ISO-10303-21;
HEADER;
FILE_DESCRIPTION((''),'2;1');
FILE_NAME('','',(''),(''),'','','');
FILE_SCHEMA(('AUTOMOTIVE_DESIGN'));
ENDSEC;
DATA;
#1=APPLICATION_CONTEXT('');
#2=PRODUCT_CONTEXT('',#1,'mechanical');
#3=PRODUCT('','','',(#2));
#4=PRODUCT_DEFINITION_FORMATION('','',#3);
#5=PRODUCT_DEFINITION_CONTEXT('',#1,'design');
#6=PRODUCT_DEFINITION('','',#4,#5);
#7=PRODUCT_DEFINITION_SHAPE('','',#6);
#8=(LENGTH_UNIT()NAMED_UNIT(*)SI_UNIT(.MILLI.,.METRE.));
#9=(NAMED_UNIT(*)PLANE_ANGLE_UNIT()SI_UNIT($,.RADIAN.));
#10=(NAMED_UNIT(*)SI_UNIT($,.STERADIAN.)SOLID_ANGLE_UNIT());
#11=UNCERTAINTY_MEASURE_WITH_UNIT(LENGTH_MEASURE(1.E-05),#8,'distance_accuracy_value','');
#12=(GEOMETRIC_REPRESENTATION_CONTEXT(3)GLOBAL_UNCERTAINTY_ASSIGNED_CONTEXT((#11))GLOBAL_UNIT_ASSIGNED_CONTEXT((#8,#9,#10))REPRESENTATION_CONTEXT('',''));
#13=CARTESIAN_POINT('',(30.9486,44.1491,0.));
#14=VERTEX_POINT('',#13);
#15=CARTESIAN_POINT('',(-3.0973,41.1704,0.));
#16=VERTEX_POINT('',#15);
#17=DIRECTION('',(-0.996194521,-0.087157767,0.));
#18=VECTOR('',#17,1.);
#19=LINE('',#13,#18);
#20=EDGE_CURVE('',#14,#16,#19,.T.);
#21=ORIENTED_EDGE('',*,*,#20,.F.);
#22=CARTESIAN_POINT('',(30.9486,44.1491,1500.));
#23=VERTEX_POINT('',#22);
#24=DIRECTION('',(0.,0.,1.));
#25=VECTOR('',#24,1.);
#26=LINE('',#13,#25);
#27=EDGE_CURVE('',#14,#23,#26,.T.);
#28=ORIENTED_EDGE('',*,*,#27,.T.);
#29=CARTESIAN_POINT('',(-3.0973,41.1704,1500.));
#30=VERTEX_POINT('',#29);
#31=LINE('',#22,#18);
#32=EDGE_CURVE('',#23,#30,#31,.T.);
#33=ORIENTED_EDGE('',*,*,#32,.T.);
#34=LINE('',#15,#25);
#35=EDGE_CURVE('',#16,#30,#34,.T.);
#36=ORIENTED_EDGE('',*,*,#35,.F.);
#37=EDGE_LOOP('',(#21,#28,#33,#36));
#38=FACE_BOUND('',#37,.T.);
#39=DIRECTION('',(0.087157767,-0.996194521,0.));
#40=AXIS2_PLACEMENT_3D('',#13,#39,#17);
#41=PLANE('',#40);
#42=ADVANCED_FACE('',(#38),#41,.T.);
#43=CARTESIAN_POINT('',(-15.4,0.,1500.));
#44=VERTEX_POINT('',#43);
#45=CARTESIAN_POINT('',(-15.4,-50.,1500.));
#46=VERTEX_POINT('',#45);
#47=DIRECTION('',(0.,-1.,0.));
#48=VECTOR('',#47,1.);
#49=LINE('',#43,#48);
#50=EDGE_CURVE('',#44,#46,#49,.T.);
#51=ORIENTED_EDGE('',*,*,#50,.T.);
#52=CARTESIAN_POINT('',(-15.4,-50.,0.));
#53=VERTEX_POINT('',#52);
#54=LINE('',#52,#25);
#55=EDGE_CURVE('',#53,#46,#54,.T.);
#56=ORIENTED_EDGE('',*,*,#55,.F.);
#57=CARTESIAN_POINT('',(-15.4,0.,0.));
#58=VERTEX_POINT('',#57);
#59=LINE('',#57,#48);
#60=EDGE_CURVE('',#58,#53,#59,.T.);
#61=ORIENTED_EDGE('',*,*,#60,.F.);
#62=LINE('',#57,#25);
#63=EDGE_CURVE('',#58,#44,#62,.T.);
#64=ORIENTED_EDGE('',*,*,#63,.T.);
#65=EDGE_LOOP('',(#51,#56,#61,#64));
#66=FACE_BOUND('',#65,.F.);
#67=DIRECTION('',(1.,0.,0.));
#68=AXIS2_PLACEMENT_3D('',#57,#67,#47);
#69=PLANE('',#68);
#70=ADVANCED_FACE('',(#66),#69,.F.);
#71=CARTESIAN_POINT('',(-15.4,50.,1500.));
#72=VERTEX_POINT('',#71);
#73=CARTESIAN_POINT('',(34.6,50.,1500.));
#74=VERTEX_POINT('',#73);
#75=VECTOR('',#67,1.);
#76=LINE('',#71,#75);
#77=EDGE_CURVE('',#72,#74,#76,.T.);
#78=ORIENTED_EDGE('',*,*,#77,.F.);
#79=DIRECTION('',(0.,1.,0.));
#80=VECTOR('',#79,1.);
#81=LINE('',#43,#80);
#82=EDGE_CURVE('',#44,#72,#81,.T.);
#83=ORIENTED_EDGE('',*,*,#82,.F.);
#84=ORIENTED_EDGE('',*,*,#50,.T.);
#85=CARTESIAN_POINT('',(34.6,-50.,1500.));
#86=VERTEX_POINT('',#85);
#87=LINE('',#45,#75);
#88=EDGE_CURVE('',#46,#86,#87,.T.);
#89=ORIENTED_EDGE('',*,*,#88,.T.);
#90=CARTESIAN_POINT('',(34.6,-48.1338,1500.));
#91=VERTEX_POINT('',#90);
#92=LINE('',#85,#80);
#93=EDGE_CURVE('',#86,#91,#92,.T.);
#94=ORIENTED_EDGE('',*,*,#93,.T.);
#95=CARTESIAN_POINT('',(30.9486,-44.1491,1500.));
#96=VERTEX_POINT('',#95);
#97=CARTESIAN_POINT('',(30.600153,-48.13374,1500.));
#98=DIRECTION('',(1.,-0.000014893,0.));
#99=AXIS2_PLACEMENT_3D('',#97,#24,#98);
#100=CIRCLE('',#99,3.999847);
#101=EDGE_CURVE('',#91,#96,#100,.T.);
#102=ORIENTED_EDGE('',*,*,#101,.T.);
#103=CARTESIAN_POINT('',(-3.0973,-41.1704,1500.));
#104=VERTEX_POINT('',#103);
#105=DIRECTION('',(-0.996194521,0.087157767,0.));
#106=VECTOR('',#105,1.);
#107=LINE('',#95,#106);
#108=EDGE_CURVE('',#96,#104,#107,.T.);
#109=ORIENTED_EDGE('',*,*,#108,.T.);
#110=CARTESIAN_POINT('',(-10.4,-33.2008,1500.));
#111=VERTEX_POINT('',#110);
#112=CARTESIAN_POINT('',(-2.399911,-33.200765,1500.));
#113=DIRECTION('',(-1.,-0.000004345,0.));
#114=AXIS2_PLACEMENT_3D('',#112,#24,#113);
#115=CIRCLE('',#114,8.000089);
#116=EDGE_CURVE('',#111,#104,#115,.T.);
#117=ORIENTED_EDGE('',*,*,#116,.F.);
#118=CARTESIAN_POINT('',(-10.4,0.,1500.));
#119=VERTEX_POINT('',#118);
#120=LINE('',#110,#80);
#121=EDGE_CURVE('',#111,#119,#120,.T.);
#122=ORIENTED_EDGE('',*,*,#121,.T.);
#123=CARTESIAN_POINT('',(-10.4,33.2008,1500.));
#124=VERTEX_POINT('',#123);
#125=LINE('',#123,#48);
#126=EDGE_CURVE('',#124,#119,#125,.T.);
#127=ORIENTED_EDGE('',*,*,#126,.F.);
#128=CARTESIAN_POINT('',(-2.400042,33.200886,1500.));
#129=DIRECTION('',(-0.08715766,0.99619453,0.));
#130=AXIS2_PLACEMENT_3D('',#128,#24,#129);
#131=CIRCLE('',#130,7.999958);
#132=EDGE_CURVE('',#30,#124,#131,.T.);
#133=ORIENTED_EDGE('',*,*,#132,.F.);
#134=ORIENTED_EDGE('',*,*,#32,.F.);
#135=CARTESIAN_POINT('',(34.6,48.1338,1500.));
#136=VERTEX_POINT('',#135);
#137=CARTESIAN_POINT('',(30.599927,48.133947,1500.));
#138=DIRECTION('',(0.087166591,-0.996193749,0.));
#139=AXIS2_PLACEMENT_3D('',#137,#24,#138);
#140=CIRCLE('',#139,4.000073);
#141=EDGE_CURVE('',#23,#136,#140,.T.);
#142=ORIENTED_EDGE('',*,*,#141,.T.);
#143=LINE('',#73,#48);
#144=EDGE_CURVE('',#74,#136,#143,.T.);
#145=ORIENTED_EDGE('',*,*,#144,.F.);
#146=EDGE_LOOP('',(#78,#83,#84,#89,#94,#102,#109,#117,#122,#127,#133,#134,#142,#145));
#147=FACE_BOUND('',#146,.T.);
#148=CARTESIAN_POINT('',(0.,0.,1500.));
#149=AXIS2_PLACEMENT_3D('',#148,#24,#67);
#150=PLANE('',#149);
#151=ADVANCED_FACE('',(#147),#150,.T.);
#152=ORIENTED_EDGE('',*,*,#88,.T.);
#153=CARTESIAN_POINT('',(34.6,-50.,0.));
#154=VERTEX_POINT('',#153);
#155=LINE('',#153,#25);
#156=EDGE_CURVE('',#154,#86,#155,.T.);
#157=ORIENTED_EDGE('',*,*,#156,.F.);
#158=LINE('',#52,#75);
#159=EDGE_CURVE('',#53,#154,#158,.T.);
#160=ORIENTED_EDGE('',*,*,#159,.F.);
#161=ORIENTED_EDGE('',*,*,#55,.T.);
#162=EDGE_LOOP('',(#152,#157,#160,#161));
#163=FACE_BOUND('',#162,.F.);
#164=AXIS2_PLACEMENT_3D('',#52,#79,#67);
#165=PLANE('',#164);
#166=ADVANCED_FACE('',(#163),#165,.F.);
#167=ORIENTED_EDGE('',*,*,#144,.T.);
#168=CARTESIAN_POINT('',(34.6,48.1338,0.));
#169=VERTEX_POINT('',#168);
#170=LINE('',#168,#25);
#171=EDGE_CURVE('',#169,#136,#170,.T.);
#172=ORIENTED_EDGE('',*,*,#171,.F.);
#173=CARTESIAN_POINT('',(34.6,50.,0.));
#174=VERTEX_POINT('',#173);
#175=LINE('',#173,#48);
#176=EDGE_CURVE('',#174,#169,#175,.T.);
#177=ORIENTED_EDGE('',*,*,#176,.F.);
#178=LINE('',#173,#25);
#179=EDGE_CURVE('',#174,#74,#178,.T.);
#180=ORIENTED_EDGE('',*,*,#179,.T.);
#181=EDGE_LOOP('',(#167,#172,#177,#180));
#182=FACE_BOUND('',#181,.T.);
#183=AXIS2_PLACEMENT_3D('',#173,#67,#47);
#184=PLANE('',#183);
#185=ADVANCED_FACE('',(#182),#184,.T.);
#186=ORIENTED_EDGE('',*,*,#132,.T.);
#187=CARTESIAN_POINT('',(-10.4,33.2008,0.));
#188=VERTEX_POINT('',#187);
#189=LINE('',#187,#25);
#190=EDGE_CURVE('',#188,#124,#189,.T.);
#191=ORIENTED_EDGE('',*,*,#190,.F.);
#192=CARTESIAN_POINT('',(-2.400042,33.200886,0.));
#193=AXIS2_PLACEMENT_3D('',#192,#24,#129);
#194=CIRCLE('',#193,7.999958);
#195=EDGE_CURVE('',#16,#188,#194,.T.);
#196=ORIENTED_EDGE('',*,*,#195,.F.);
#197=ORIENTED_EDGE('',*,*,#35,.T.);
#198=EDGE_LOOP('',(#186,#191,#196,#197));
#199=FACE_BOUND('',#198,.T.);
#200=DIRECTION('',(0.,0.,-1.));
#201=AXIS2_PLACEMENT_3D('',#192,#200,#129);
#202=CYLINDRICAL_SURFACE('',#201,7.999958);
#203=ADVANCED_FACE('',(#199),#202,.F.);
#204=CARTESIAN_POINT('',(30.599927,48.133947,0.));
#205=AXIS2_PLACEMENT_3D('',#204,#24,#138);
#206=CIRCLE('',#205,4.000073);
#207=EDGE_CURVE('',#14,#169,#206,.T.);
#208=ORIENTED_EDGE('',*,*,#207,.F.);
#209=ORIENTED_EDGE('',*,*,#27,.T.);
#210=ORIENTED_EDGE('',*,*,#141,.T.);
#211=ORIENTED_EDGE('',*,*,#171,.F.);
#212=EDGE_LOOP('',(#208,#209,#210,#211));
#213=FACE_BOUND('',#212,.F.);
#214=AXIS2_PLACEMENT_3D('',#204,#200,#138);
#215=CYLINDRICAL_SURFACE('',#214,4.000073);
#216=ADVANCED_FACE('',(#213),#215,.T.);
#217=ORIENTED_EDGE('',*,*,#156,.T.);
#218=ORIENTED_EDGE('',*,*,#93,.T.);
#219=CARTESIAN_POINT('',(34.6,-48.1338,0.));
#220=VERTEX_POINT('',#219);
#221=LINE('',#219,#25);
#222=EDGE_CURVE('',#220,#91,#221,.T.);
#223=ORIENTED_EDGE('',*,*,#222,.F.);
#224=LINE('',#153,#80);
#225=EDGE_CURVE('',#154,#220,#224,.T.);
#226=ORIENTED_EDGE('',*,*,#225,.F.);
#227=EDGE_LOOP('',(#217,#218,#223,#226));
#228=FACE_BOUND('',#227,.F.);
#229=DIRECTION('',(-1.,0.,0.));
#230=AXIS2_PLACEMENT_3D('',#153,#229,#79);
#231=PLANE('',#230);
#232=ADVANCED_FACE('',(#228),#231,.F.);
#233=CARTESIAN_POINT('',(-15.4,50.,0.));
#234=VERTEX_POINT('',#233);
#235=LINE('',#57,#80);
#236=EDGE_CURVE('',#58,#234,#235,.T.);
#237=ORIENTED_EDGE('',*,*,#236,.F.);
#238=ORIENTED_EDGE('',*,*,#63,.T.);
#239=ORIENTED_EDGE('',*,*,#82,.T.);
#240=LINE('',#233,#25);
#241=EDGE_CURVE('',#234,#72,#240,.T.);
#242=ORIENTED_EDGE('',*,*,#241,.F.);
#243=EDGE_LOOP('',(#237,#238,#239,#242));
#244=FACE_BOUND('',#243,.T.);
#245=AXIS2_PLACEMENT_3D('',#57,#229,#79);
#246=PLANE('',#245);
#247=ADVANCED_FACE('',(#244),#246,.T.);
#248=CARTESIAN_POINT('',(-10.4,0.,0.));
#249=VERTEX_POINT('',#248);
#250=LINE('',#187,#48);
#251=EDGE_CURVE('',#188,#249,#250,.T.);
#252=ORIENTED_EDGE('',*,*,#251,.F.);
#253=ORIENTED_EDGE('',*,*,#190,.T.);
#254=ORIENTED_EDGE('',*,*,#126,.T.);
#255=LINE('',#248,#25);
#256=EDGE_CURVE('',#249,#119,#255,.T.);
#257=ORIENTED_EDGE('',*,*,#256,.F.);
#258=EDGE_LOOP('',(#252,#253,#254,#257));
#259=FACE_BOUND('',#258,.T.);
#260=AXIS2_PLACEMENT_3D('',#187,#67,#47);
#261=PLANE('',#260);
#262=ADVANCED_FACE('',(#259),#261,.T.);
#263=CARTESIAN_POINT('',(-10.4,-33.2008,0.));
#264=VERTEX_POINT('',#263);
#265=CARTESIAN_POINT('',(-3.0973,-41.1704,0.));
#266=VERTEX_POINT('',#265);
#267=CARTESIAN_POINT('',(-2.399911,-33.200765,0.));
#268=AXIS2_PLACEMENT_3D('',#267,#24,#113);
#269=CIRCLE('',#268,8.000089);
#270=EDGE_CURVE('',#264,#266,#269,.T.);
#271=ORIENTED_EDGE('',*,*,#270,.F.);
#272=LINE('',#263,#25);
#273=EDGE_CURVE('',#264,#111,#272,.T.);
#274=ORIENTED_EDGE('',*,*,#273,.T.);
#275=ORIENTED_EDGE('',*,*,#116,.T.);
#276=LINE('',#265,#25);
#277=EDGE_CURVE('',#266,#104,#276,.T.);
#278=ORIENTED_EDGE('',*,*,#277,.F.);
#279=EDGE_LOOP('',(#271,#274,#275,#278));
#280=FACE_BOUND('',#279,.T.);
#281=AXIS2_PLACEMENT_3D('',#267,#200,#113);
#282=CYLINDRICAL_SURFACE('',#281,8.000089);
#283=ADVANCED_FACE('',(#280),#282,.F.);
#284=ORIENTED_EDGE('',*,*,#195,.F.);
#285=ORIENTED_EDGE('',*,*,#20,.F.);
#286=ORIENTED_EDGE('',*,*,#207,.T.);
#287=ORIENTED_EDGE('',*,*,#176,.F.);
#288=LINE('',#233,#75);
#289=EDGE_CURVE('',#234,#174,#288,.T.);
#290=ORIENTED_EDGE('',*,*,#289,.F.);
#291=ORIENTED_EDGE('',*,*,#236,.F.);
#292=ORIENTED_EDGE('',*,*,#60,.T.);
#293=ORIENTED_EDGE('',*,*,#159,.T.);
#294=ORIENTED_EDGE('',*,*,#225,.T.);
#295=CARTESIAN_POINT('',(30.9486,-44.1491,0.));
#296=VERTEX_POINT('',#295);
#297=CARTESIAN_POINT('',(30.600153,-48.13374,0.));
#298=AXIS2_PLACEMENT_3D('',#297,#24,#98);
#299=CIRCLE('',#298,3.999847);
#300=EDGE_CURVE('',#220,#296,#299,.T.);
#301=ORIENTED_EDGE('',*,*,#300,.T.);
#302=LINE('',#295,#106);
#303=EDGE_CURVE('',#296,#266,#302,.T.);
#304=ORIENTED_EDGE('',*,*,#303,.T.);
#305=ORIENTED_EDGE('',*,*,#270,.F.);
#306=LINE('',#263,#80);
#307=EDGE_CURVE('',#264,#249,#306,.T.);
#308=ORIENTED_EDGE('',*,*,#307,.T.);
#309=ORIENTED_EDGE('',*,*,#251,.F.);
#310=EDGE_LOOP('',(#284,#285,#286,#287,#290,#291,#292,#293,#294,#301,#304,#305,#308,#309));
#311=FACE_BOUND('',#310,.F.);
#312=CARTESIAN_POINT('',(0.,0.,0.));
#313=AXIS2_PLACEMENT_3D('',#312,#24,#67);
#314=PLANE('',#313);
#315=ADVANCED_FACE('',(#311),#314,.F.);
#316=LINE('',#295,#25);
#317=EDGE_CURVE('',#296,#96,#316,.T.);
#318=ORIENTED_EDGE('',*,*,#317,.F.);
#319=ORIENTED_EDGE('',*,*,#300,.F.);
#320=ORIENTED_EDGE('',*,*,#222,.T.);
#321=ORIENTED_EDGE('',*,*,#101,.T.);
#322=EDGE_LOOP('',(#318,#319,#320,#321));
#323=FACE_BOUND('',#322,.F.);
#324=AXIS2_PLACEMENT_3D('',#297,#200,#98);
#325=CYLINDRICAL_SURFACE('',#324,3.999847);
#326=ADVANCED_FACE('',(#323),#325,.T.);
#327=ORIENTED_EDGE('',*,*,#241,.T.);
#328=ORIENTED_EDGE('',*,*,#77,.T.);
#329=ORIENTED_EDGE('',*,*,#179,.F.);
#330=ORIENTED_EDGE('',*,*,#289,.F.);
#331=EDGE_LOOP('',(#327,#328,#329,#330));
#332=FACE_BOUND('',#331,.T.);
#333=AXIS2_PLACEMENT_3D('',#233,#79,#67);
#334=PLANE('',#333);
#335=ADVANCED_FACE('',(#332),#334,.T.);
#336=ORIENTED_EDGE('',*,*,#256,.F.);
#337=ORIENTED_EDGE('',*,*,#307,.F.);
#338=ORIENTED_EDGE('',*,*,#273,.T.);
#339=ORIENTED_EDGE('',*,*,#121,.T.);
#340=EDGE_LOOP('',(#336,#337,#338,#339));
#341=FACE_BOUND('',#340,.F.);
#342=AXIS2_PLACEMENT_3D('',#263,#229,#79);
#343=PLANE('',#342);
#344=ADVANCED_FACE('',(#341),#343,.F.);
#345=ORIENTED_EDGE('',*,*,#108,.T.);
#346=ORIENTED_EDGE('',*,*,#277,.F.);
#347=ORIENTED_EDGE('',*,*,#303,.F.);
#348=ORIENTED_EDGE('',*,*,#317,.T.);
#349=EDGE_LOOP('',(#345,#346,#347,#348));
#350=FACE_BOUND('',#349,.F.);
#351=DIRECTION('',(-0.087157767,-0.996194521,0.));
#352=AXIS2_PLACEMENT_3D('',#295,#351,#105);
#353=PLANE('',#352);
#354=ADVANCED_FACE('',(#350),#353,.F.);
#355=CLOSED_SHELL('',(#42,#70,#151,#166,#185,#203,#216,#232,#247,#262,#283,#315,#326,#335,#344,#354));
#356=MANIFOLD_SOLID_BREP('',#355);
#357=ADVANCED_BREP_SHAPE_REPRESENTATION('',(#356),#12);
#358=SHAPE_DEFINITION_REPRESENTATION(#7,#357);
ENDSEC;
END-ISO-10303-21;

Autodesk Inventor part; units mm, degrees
ref_plane "YZ Plane" through (0, 0, 0) normal (1, 0, 0) x (0, 1, 0)
ref_plane "Start plane" through (0, 0, 0) normal (0, 0, 1) x (1, 0, 0)
ref_plane "End plane" through (0, 0, 1500) normal (0, 0, 1) x (1, 0, 0)
sketch "Sketch" plane through (0, 0, 0) normal (0, 0, 1) x (1, 0, 0)
  line L0 (-15.4, 0) -> (-15.4, 50)
  line L1 (-15.4, 50) -> (34.6, 50)
  line L2 (34.6, 50) -> (34.6, 48.1338)
  line L3 (30.9486, 44.1491) -> (-3.0973, 41.1704)
  line L4 (-10.4, 33.2008) -> (-10.4, 0)
  line L5 (-10.4, 0) -> (-15.4, 0) construction
  line L6 (12.1, 50) -> (12.1, 42.5) construction
  line L7 (34.6, 44.4685) -> (34.6, 42.5) construction
  line L8 (34.6, 42.5) -> (12.1, 42.5) construction
  line L9 (0, 15) -> (0, -27) construction
  line L10 (-5.539, 0) -> (16.0067, 0) construction
  line L11 (-15.4, 0) -> (-15.4, -50)
  line L12 (-15.4, -50) -> (34.6, -50)
  line L13 (34.6, -50) -> (34.6, -48.1338)
  line L14 (30.9486, -44.1491) -> (-3.0973, -41.1704)
  line L15 (-10.4, -33.2008) -> (-10.4, 0)
  arc A0 (-3.0973, 41.1704) -> (-10.4, 33.2008) centre (-2.4, 33.2008) ccw
  arc A1 (-10.4, -33.2008) -> (-3.0973, -41.1704) centre (-2.4, -33.2008) ccw
  arc A2 (30.9486, 44.1491) -> (34.6, 48.1338) centre (30.6, 48.1338) ccw
  arc A3 (34.6, -48.1338) -> (30.9486, -44.1491) centre (30.6, -48.1338) ccw
  line L16 (0, 23.4) -> (0, -35.4) construction
  line L17 (-9.8481, 0) -> (20.3158, 0) construction
  point P0 (-10.4, 40.5315)
  point P1 (34.6, -44.4685)
  point P2 (-10.4, -40.5315)
  point P3 (12.1, -50)
  point P4 (12.1, -42.5)
  dimension "d0" = 5
  dimension "d1" = 50
  dimension "d2" = 50
  dimension "d3" = 7.5
  dimension "d4" = 22.5
  dimension "d5" = 1.9685
  dimension "d23" = 8
  dimension "d24" = 4
  dimension "d25" = 15.4
extrude "Body" add sketch "Sketch" along normal up to surface (1500 mm away) from surface at 0
sketch "Sketch3" plane through (0, 0, 0) normal (0, 0, 1) x (1, 0, 0)
  line L0 (0, 0) -> (10, 0)
ref_plane "Work Plane3" through (0, 0, 0) normal (0, -1, 0) x (1, 0, 0)
sketch "Sketch4" plane through (0, 0, 0) normal (0, -1, 0) x (1, 0, 0)
  line L0 (-2, 0) -> (12, 0) projected
  line L1 (-2, 1500) -> (12, 1500) projected
  dimension "d29" = 1500
equation "\"d0\" = G_T"
equation "\"d1\" = 0.5 * G_H"
equation "\"d2\" = G_W"
equation "\"d3\" = G_T1"
equation "\"d4\" = G_C"
equation "\"d23\" = G_IR"
equation "\"d24\" = G_ER"
equation "\"d25\" = ey"
equation "\"d6\" = G_L"
equation "\"G_W\" = 50"
equation "\"G_T\" = 5"
equation "\"G_T1\" = 7.5"
equation "\"G_NG\" = 0.08749"
equation "\"G_ER\" = 4"
equation "\"G_IR\" = 8"
equation "\"G_C\" = 22.5"
equation "\"G_L\" = d29"
equation "\"ey\" = 15.4"
equation "\"G_OFFSET_START\" = 0"
equation "\"G_OFFSET_END\" = 0"
equation "\"G_H\" = 100"
properties part number "Сhannel" material "Steel, Mild"
